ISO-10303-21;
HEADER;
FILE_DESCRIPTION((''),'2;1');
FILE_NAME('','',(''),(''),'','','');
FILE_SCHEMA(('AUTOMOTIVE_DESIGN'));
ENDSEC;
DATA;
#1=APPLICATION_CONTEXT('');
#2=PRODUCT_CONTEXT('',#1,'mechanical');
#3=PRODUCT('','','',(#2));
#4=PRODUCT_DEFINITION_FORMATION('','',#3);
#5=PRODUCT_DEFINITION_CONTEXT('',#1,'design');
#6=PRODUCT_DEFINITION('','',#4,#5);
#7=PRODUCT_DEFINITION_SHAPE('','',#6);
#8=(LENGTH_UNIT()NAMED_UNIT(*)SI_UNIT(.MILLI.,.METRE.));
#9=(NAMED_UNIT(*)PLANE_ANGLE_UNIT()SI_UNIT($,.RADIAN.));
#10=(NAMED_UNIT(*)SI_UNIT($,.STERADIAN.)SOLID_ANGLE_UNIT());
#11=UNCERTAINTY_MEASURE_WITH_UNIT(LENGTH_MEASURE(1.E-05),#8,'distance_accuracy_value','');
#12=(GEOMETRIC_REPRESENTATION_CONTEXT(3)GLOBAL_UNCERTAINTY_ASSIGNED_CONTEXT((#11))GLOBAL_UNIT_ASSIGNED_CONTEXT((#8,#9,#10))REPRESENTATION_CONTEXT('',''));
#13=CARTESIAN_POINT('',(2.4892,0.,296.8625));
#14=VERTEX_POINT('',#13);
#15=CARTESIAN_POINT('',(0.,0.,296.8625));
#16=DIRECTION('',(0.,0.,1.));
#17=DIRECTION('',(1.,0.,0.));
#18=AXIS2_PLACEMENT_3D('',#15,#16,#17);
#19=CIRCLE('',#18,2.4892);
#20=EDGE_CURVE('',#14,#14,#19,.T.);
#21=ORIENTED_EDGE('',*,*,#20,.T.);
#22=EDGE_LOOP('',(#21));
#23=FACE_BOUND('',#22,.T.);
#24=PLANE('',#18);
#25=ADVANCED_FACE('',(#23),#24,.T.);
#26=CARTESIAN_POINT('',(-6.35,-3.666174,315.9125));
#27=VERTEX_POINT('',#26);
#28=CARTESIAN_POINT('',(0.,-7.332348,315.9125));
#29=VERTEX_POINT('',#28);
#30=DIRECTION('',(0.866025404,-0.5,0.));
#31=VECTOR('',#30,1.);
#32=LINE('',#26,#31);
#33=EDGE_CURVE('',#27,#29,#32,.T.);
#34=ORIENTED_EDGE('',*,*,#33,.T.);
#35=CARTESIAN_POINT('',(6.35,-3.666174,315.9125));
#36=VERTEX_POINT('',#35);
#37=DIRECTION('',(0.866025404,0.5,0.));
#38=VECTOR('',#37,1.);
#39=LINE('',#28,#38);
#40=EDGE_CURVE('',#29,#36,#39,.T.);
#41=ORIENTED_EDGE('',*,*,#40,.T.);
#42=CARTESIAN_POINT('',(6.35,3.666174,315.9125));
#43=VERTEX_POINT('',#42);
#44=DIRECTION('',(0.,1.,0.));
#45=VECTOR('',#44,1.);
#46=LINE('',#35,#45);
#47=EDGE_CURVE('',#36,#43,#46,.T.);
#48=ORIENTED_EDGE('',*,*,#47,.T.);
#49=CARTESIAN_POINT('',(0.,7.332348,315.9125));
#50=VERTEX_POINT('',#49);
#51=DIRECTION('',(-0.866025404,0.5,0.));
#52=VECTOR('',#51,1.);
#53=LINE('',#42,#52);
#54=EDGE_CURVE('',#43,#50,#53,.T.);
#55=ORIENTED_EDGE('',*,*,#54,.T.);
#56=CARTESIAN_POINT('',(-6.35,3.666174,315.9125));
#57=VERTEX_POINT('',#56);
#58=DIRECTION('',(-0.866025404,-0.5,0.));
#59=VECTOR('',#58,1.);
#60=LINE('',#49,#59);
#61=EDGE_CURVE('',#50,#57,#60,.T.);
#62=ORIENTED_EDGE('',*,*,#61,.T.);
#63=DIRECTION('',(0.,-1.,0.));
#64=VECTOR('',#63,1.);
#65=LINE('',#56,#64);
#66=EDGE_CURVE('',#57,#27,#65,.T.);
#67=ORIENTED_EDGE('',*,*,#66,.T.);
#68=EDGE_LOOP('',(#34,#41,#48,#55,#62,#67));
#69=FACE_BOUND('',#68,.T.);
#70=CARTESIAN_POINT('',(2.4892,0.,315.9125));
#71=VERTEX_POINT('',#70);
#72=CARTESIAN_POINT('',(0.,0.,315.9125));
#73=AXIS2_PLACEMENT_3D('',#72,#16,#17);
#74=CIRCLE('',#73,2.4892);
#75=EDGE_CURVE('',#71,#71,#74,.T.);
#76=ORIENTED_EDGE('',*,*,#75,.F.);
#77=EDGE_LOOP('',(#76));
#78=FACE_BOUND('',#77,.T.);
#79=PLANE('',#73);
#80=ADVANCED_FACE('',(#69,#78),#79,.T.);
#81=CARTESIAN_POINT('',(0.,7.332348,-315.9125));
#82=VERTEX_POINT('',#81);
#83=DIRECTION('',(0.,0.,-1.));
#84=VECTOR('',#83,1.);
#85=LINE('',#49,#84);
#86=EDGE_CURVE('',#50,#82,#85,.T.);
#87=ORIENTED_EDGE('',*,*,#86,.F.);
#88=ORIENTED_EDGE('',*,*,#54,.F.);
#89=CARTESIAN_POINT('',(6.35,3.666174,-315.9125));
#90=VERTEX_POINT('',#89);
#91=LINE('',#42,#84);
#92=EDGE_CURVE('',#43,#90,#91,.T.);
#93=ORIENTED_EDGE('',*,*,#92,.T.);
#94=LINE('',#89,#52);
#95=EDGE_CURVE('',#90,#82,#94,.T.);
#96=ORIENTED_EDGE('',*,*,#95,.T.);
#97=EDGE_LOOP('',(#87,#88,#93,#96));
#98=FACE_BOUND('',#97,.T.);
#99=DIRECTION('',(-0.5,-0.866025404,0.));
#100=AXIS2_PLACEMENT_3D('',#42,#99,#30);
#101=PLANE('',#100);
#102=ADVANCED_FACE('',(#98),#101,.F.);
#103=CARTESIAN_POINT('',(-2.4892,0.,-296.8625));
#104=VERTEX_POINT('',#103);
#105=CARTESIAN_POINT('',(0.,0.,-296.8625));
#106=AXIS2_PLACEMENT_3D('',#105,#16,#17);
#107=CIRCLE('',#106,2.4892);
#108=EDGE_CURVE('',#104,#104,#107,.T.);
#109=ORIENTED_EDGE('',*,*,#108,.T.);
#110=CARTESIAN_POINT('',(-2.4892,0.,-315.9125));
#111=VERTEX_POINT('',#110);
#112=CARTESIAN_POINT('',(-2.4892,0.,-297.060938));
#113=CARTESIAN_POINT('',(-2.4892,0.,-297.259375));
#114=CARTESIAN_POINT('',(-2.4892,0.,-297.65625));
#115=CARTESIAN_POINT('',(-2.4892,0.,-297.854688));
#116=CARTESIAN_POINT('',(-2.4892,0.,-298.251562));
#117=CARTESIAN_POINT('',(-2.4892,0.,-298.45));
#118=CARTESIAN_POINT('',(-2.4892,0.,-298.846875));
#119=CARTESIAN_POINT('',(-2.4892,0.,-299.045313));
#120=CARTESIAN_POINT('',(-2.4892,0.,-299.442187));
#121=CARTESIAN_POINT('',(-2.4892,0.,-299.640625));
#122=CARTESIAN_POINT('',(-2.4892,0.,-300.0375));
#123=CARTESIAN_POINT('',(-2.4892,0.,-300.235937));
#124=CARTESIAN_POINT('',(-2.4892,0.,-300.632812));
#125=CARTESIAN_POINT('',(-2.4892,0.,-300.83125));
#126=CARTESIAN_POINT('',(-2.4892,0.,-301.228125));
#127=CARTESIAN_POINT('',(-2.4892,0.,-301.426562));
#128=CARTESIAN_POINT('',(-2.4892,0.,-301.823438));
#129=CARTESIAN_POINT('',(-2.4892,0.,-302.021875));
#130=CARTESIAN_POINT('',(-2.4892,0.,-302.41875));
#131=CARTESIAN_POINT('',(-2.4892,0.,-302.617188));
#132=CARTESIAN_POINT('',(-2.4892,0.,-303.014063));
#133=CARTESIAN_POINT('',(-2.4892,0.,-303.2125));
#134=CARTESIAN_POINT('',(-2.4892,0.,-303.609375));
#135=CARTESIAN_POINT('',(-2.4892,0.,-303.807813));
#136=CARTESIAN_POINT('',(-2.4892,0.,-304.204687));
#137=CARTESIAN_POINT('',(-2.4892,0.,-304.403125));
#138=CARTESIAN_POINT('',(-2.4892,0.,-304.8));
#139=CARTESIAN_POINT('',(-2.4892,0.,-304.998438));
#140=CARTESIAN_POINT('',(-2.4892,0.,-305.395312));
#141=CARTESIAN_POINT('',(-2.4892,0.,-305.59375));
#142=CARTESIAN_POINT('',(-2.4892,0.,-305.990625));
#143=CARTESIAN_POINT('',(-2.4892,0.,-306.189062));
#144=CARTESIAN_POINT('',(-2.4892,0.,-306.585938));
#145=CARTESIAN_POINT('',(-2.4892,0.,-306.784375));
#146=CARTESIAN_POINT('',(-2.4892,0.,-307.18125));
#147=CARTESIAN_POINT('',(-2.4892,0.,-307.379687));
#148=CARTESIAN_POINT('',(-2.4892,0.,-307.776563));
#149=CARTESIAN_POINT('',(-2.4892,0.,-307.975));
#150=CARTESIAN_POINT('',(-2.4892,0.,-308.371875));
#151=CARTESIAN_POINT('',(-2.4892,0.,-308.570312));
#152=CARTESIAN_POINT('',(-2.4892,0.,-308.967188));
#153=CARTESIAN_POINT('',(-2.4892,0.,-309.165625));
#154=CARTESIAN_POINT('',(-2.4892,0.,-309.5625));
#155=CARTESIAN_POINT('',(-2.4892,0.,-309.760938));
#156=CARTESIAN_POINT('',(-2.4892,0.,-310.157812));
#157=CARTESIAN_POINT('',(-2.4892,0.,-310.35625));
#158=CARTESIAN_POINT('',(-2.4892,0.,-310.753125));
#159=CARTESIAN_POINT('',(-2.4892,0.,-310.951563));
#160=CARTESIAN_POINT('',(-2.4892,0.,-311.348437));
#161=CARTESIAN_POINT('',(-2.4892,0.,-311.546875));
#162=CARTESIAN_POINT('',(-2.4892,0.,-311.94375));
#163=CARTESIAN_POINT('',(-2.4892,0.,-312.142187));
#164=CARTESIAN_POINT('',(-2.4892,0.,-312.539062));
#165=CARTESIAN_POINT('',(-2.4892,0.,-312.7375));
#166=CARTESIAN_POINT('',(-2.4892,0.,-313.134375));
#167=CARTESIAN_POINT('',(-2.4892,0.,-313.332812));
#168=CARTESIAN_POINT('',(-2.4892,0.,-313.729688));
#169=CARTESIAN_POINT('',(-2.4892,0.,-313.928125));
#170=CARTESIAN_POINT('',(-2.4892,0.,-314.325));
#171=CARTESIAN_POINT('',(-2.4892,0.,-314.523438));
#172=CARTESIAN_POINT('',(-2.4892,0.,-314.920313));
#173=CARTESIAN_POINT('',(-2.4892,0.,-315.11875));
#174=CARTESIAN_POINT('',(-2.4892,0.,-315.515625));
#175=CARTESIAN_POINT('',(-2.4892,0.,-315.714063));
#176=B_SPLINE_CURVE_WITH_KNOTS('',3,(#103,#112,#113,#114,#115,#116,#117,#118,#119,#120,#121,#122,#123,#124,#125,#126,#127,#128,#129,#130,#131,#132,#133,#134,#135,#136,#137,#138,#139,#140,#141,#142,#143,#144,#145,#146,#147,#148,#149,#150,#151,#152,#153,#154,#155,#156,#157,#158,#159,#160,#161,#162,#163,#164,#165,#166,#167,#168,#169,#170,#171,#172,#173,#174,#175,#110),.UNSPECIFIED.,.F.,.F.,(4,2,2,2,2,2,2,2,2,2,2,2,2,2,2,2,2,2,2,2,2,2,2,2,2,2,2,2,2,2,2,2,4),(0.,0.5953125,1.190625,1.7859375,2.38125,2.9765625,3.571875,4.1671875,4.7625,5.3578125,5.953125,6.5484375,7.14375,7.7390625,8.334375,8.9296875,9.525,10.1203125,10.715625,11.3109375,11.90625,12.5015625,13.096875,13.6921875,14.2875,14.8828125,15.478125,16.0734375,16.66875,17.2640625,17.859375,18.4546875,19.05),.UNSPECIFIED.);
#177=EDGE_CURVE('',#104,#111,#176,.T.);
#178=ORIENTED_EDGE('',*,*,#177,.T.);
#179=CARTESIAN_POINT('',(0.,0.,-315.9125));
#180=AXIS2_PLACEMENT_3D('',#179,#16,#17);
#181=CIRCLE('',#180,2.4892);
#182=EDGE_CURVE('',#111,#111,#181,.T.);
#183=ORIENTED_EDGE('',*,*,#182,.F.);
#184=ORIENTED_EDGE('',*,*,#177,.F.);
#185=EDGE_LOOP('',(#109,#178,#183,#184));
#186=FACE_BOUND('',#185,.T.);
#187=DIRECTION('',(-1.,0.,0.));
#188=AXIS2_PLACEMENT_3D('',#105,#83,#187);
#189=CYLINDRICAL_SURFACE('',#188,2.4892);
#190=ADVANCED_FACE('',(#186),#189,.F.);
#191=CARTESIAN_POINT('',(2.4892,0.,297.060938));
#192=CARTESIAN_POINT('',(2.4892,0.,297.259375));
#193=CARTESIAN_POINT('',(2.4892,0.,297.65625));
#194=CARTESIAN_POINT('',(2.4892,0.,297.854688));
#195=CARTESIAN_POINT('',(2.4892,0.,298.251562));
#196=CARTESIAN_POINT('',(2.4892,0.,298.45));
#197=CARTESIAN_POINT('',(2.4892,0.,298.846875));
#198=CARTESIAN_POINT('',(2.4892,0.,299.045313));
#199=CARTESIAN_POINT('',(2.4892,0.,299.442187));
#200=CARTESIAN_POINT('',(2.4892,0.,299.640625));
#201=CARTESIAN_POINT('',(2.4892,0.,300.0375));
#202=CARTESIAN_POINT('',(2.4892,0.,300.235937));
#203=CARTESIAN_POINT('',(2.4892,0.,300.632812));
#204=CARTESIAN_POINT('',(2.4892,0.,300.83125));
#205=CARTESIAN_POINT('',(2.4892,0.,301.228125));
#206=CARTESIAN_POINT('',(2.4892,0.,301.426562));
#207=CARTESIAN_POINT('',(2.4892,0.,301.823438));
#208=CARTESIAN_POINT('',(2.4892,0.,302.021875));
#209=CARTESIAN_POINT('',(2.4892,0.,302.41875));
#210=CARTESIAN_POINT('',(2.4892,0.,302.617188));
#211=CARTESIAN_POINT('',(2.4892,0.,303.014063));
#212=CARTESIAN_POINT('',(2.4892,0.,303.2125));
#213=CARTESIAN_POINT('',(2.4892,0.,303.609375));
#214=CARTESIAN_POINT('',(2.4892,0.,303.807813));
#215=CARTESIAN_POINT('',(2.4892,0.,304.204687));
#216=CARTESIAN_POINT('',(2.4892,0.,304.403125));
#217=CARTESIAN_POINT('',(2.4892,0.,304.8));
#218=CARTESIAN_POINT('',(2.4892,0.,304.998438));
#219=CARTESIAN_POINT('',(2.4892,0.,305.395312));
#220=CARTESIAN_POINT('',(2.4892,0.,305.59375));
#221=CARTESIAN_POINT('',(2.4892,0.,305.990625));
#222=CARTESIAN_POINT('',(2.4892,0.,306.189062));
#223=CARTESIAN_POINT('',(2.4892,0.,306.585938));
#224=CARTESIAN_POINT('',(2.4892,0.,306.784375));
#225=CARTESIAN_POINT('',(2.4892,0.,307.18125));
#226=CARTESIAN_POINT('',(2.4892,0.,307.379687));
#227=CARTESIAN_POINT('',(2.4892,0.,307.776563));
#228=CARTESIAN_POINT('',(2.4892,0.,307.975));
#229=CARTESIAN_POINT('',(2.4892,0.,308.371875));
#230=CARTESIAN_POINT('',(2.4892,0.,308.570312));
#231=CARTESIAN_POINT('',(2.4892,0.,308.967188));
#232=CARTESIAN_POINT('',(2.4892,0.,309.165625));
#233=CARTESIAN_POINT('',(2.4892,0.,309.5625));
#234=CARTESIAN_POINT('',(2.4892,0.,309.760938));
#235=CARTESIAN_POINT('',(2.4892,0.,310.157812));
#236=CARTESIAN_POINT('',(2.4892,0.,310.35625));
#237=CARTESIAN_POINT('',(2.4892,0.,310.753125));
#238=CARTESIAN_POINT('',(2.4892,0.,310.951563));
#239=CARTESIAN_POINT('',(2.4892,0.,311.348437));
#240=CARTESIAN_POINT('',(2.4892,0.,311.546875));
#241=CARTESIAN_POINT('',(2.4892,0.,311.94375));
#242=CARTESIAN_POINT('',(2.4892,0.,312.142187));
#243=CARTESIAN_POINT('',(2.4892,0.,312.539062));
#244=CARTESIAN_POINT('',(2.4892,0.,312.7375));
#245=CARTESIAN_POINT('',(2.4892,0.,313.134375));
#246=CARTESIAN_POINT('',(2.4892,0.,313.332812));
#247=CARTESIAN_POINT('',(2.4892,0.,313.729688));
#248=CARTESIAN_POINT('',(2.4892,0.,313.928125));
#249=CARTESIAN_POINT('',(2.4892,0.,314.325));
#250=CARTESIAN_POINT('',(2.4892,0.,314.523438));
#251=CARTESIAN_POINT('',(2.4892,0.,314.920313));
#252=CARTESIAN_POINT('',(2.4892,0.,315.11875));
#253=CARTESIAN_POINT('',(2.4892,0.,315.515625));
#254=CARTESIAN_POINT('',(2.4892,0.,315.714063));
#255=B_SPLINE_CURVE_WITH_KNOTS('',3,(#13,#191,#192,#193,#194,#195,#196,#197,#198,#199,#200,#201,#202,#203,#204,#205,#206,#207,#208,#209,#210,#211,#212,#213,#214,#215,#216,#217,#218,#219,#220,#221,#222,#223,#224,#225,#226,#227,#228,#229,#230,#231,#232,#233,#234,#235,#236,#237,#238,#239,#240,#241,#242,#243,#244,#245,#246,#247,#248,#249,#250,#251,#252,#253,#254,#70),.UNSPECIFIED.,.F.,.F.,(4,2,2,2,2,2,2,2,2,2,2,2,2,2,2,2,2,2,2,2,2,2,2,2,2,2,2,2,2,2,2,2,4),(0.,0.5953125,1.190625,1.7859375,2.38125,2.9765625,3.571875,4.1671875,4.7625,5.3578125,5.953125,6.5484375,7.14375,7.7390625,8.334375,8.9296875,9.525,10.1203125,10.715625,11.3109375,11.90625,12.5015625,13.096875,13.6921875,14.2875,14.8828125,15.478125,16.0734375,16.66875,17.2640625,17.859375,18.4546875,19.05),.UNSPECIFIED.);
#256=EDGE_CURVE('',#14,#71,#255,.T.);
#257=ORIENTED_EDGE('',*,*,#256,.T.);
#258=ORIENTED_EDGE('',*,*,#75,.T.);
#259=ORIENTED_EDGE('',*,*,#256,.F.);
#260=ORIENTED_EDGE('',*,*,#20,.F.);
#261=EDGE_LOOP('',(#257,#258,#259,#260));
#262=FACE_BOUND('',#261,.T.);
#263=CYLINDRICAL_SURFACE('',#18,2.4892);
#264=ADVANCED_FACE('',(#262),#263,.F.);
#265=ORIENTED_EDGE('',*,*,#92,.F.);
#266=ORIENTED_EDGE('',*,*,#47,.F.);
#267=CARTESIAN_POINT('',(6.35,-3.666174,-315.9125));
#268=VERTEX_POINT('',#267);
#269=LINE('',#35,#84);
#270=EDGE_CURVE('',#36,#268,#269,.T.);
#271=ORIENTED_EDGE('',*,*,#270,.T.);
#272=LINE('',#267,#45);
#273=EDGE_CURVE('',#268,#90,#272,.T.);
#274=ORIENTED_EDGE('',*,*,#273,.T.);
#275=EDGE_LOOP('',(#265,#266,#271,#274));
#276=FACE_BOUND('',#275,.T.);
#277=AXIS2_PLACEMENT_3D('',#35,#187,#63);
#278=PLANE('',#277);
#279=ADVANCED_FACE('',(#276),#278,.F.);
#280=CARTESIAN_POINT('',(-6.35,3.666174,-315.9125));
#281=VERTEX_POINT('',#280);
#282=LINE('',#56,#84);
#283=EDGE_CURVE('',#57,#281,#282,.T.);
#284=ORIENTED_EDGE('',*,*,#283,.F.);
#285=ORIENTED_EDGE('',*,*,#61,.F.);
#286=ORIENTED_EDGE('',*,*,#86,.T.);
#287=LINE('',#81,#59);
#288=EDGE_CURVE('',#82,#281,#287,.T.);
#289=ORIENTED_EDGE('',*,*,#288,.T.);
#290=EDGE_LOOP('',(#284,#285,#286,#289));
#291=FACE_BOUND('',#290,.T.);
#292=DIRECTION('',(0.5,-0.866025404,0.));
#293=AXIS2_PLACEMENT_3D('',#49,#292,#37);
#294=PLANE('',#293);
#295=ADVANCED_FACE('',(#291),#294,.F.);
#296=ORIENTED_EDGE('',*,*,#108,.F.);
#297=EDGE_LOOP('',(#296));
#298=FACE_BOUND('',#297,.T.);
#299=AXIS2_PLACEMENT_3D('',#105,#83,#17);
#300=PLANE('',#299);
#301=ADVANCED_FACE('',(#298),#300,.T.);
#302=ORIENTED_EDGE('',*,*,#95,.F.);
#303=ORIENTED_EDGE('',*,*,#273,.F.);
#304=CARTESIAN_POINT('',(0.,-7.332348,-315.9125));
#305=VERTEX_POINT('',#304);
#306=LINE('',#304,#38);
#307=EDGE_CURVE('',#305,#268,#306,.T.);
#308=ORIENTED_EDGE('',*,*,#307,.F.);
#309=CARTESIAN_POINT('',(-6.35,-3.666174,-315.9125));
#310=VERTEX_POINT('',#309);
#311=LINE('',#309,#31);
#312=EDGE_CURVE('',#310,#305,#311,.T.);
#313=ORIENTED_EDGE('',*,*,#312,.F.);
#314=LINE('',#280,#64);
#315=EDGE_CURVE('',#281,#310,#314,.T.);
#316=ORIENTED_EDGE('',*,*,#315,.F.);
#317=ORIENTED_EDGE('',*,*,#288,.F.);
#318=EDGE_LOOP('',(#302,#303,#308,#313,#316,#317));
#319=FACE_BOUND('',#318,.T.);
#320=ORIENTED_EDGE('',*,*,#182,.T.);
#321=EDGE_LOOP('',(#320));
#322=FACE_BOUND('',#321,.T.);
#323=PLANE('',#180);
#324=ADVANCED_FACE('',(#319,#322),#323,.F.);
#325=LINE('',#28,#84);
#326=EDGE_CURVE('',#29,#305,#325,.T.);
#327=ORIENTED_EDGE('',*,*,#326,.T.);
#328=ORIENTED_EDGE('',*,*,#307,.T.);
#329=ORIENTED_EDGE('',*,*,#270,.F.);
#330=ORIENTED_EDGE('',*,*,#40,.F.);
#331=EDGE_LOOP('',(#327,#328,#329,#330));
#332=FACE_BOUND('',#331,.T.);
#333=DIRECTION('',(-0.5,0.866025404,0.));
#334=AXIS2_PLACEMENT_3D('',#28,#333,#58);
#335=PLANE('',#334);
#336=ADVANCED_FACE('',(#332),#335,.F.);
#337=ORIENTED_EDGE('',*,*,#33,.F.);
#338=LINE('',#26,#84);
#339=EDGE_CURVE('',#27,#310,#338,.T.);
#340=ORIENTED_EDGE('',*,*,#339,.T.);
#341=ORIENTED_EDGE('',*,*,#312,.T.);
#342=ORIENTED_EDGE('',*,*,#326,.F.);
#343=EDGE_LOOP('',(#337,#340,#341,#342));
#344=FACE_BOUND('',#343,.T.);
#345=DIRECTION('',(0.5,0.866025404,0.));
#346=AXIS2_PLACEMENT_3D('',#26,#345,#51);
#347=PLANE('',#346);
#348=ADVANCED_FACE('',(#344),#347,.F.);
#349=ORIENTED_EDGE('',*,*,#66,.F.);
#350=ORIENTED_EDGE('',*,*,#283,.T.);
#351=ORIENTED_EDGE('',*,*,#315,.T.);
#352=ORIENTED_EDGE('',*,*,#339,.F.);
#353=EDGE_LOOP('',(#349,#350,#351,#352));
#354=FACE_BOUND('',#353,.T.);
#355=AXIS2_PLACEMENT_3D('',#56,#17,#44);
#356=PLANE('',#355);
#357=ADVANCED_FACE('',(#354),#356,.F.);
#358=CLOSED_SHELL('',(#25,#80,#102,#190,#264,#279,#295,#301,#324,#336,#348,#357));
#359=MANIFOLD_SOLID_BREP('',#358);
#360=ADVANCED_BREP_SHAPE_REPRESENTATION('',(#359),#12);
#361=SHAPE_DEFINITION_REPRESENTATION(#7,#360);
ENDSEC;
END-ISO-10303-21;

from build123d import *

# Parameters (mm, degrees)
BOSS_EXTRUDE1_DEPTH = 315.9125
SKETCH2_R           = 2.4892
CUT_EXTRUDE1_DEPTH  = 19.05


with BuildPart() as part:
    # Sketch1 → Boss-Extrude1 (new, symmetric)
    with BuildSketch(Plane.XY):
        Polygon((6.35, -3.666174209), (6.35, 3.666174209), (0, 7.332348419), (-6.35, 3.666174209), (-6.35, -3.666174209), (0, -7.332348419), align=None)
    extrude(amount=BOSS_EXTRUDE1_DEPTH, both=True)

    # Sketch2 → Cut-Extrude1 (cut)
    with BuildSketch(Plane.XY.offset(315.9125)):
        Circle(SKETCH2_R)
    cut_extrude1 = extrude(amount=-CUT_EXTRUDE1_DEPTH, mode=Mode.SUBTRACT)

    # Mirror1: Cut-Extrude1 across plane
    add(cut_extrude1.mirror(Plane.XY), mode=Mode.SUBTRACT)


solid = part.part
